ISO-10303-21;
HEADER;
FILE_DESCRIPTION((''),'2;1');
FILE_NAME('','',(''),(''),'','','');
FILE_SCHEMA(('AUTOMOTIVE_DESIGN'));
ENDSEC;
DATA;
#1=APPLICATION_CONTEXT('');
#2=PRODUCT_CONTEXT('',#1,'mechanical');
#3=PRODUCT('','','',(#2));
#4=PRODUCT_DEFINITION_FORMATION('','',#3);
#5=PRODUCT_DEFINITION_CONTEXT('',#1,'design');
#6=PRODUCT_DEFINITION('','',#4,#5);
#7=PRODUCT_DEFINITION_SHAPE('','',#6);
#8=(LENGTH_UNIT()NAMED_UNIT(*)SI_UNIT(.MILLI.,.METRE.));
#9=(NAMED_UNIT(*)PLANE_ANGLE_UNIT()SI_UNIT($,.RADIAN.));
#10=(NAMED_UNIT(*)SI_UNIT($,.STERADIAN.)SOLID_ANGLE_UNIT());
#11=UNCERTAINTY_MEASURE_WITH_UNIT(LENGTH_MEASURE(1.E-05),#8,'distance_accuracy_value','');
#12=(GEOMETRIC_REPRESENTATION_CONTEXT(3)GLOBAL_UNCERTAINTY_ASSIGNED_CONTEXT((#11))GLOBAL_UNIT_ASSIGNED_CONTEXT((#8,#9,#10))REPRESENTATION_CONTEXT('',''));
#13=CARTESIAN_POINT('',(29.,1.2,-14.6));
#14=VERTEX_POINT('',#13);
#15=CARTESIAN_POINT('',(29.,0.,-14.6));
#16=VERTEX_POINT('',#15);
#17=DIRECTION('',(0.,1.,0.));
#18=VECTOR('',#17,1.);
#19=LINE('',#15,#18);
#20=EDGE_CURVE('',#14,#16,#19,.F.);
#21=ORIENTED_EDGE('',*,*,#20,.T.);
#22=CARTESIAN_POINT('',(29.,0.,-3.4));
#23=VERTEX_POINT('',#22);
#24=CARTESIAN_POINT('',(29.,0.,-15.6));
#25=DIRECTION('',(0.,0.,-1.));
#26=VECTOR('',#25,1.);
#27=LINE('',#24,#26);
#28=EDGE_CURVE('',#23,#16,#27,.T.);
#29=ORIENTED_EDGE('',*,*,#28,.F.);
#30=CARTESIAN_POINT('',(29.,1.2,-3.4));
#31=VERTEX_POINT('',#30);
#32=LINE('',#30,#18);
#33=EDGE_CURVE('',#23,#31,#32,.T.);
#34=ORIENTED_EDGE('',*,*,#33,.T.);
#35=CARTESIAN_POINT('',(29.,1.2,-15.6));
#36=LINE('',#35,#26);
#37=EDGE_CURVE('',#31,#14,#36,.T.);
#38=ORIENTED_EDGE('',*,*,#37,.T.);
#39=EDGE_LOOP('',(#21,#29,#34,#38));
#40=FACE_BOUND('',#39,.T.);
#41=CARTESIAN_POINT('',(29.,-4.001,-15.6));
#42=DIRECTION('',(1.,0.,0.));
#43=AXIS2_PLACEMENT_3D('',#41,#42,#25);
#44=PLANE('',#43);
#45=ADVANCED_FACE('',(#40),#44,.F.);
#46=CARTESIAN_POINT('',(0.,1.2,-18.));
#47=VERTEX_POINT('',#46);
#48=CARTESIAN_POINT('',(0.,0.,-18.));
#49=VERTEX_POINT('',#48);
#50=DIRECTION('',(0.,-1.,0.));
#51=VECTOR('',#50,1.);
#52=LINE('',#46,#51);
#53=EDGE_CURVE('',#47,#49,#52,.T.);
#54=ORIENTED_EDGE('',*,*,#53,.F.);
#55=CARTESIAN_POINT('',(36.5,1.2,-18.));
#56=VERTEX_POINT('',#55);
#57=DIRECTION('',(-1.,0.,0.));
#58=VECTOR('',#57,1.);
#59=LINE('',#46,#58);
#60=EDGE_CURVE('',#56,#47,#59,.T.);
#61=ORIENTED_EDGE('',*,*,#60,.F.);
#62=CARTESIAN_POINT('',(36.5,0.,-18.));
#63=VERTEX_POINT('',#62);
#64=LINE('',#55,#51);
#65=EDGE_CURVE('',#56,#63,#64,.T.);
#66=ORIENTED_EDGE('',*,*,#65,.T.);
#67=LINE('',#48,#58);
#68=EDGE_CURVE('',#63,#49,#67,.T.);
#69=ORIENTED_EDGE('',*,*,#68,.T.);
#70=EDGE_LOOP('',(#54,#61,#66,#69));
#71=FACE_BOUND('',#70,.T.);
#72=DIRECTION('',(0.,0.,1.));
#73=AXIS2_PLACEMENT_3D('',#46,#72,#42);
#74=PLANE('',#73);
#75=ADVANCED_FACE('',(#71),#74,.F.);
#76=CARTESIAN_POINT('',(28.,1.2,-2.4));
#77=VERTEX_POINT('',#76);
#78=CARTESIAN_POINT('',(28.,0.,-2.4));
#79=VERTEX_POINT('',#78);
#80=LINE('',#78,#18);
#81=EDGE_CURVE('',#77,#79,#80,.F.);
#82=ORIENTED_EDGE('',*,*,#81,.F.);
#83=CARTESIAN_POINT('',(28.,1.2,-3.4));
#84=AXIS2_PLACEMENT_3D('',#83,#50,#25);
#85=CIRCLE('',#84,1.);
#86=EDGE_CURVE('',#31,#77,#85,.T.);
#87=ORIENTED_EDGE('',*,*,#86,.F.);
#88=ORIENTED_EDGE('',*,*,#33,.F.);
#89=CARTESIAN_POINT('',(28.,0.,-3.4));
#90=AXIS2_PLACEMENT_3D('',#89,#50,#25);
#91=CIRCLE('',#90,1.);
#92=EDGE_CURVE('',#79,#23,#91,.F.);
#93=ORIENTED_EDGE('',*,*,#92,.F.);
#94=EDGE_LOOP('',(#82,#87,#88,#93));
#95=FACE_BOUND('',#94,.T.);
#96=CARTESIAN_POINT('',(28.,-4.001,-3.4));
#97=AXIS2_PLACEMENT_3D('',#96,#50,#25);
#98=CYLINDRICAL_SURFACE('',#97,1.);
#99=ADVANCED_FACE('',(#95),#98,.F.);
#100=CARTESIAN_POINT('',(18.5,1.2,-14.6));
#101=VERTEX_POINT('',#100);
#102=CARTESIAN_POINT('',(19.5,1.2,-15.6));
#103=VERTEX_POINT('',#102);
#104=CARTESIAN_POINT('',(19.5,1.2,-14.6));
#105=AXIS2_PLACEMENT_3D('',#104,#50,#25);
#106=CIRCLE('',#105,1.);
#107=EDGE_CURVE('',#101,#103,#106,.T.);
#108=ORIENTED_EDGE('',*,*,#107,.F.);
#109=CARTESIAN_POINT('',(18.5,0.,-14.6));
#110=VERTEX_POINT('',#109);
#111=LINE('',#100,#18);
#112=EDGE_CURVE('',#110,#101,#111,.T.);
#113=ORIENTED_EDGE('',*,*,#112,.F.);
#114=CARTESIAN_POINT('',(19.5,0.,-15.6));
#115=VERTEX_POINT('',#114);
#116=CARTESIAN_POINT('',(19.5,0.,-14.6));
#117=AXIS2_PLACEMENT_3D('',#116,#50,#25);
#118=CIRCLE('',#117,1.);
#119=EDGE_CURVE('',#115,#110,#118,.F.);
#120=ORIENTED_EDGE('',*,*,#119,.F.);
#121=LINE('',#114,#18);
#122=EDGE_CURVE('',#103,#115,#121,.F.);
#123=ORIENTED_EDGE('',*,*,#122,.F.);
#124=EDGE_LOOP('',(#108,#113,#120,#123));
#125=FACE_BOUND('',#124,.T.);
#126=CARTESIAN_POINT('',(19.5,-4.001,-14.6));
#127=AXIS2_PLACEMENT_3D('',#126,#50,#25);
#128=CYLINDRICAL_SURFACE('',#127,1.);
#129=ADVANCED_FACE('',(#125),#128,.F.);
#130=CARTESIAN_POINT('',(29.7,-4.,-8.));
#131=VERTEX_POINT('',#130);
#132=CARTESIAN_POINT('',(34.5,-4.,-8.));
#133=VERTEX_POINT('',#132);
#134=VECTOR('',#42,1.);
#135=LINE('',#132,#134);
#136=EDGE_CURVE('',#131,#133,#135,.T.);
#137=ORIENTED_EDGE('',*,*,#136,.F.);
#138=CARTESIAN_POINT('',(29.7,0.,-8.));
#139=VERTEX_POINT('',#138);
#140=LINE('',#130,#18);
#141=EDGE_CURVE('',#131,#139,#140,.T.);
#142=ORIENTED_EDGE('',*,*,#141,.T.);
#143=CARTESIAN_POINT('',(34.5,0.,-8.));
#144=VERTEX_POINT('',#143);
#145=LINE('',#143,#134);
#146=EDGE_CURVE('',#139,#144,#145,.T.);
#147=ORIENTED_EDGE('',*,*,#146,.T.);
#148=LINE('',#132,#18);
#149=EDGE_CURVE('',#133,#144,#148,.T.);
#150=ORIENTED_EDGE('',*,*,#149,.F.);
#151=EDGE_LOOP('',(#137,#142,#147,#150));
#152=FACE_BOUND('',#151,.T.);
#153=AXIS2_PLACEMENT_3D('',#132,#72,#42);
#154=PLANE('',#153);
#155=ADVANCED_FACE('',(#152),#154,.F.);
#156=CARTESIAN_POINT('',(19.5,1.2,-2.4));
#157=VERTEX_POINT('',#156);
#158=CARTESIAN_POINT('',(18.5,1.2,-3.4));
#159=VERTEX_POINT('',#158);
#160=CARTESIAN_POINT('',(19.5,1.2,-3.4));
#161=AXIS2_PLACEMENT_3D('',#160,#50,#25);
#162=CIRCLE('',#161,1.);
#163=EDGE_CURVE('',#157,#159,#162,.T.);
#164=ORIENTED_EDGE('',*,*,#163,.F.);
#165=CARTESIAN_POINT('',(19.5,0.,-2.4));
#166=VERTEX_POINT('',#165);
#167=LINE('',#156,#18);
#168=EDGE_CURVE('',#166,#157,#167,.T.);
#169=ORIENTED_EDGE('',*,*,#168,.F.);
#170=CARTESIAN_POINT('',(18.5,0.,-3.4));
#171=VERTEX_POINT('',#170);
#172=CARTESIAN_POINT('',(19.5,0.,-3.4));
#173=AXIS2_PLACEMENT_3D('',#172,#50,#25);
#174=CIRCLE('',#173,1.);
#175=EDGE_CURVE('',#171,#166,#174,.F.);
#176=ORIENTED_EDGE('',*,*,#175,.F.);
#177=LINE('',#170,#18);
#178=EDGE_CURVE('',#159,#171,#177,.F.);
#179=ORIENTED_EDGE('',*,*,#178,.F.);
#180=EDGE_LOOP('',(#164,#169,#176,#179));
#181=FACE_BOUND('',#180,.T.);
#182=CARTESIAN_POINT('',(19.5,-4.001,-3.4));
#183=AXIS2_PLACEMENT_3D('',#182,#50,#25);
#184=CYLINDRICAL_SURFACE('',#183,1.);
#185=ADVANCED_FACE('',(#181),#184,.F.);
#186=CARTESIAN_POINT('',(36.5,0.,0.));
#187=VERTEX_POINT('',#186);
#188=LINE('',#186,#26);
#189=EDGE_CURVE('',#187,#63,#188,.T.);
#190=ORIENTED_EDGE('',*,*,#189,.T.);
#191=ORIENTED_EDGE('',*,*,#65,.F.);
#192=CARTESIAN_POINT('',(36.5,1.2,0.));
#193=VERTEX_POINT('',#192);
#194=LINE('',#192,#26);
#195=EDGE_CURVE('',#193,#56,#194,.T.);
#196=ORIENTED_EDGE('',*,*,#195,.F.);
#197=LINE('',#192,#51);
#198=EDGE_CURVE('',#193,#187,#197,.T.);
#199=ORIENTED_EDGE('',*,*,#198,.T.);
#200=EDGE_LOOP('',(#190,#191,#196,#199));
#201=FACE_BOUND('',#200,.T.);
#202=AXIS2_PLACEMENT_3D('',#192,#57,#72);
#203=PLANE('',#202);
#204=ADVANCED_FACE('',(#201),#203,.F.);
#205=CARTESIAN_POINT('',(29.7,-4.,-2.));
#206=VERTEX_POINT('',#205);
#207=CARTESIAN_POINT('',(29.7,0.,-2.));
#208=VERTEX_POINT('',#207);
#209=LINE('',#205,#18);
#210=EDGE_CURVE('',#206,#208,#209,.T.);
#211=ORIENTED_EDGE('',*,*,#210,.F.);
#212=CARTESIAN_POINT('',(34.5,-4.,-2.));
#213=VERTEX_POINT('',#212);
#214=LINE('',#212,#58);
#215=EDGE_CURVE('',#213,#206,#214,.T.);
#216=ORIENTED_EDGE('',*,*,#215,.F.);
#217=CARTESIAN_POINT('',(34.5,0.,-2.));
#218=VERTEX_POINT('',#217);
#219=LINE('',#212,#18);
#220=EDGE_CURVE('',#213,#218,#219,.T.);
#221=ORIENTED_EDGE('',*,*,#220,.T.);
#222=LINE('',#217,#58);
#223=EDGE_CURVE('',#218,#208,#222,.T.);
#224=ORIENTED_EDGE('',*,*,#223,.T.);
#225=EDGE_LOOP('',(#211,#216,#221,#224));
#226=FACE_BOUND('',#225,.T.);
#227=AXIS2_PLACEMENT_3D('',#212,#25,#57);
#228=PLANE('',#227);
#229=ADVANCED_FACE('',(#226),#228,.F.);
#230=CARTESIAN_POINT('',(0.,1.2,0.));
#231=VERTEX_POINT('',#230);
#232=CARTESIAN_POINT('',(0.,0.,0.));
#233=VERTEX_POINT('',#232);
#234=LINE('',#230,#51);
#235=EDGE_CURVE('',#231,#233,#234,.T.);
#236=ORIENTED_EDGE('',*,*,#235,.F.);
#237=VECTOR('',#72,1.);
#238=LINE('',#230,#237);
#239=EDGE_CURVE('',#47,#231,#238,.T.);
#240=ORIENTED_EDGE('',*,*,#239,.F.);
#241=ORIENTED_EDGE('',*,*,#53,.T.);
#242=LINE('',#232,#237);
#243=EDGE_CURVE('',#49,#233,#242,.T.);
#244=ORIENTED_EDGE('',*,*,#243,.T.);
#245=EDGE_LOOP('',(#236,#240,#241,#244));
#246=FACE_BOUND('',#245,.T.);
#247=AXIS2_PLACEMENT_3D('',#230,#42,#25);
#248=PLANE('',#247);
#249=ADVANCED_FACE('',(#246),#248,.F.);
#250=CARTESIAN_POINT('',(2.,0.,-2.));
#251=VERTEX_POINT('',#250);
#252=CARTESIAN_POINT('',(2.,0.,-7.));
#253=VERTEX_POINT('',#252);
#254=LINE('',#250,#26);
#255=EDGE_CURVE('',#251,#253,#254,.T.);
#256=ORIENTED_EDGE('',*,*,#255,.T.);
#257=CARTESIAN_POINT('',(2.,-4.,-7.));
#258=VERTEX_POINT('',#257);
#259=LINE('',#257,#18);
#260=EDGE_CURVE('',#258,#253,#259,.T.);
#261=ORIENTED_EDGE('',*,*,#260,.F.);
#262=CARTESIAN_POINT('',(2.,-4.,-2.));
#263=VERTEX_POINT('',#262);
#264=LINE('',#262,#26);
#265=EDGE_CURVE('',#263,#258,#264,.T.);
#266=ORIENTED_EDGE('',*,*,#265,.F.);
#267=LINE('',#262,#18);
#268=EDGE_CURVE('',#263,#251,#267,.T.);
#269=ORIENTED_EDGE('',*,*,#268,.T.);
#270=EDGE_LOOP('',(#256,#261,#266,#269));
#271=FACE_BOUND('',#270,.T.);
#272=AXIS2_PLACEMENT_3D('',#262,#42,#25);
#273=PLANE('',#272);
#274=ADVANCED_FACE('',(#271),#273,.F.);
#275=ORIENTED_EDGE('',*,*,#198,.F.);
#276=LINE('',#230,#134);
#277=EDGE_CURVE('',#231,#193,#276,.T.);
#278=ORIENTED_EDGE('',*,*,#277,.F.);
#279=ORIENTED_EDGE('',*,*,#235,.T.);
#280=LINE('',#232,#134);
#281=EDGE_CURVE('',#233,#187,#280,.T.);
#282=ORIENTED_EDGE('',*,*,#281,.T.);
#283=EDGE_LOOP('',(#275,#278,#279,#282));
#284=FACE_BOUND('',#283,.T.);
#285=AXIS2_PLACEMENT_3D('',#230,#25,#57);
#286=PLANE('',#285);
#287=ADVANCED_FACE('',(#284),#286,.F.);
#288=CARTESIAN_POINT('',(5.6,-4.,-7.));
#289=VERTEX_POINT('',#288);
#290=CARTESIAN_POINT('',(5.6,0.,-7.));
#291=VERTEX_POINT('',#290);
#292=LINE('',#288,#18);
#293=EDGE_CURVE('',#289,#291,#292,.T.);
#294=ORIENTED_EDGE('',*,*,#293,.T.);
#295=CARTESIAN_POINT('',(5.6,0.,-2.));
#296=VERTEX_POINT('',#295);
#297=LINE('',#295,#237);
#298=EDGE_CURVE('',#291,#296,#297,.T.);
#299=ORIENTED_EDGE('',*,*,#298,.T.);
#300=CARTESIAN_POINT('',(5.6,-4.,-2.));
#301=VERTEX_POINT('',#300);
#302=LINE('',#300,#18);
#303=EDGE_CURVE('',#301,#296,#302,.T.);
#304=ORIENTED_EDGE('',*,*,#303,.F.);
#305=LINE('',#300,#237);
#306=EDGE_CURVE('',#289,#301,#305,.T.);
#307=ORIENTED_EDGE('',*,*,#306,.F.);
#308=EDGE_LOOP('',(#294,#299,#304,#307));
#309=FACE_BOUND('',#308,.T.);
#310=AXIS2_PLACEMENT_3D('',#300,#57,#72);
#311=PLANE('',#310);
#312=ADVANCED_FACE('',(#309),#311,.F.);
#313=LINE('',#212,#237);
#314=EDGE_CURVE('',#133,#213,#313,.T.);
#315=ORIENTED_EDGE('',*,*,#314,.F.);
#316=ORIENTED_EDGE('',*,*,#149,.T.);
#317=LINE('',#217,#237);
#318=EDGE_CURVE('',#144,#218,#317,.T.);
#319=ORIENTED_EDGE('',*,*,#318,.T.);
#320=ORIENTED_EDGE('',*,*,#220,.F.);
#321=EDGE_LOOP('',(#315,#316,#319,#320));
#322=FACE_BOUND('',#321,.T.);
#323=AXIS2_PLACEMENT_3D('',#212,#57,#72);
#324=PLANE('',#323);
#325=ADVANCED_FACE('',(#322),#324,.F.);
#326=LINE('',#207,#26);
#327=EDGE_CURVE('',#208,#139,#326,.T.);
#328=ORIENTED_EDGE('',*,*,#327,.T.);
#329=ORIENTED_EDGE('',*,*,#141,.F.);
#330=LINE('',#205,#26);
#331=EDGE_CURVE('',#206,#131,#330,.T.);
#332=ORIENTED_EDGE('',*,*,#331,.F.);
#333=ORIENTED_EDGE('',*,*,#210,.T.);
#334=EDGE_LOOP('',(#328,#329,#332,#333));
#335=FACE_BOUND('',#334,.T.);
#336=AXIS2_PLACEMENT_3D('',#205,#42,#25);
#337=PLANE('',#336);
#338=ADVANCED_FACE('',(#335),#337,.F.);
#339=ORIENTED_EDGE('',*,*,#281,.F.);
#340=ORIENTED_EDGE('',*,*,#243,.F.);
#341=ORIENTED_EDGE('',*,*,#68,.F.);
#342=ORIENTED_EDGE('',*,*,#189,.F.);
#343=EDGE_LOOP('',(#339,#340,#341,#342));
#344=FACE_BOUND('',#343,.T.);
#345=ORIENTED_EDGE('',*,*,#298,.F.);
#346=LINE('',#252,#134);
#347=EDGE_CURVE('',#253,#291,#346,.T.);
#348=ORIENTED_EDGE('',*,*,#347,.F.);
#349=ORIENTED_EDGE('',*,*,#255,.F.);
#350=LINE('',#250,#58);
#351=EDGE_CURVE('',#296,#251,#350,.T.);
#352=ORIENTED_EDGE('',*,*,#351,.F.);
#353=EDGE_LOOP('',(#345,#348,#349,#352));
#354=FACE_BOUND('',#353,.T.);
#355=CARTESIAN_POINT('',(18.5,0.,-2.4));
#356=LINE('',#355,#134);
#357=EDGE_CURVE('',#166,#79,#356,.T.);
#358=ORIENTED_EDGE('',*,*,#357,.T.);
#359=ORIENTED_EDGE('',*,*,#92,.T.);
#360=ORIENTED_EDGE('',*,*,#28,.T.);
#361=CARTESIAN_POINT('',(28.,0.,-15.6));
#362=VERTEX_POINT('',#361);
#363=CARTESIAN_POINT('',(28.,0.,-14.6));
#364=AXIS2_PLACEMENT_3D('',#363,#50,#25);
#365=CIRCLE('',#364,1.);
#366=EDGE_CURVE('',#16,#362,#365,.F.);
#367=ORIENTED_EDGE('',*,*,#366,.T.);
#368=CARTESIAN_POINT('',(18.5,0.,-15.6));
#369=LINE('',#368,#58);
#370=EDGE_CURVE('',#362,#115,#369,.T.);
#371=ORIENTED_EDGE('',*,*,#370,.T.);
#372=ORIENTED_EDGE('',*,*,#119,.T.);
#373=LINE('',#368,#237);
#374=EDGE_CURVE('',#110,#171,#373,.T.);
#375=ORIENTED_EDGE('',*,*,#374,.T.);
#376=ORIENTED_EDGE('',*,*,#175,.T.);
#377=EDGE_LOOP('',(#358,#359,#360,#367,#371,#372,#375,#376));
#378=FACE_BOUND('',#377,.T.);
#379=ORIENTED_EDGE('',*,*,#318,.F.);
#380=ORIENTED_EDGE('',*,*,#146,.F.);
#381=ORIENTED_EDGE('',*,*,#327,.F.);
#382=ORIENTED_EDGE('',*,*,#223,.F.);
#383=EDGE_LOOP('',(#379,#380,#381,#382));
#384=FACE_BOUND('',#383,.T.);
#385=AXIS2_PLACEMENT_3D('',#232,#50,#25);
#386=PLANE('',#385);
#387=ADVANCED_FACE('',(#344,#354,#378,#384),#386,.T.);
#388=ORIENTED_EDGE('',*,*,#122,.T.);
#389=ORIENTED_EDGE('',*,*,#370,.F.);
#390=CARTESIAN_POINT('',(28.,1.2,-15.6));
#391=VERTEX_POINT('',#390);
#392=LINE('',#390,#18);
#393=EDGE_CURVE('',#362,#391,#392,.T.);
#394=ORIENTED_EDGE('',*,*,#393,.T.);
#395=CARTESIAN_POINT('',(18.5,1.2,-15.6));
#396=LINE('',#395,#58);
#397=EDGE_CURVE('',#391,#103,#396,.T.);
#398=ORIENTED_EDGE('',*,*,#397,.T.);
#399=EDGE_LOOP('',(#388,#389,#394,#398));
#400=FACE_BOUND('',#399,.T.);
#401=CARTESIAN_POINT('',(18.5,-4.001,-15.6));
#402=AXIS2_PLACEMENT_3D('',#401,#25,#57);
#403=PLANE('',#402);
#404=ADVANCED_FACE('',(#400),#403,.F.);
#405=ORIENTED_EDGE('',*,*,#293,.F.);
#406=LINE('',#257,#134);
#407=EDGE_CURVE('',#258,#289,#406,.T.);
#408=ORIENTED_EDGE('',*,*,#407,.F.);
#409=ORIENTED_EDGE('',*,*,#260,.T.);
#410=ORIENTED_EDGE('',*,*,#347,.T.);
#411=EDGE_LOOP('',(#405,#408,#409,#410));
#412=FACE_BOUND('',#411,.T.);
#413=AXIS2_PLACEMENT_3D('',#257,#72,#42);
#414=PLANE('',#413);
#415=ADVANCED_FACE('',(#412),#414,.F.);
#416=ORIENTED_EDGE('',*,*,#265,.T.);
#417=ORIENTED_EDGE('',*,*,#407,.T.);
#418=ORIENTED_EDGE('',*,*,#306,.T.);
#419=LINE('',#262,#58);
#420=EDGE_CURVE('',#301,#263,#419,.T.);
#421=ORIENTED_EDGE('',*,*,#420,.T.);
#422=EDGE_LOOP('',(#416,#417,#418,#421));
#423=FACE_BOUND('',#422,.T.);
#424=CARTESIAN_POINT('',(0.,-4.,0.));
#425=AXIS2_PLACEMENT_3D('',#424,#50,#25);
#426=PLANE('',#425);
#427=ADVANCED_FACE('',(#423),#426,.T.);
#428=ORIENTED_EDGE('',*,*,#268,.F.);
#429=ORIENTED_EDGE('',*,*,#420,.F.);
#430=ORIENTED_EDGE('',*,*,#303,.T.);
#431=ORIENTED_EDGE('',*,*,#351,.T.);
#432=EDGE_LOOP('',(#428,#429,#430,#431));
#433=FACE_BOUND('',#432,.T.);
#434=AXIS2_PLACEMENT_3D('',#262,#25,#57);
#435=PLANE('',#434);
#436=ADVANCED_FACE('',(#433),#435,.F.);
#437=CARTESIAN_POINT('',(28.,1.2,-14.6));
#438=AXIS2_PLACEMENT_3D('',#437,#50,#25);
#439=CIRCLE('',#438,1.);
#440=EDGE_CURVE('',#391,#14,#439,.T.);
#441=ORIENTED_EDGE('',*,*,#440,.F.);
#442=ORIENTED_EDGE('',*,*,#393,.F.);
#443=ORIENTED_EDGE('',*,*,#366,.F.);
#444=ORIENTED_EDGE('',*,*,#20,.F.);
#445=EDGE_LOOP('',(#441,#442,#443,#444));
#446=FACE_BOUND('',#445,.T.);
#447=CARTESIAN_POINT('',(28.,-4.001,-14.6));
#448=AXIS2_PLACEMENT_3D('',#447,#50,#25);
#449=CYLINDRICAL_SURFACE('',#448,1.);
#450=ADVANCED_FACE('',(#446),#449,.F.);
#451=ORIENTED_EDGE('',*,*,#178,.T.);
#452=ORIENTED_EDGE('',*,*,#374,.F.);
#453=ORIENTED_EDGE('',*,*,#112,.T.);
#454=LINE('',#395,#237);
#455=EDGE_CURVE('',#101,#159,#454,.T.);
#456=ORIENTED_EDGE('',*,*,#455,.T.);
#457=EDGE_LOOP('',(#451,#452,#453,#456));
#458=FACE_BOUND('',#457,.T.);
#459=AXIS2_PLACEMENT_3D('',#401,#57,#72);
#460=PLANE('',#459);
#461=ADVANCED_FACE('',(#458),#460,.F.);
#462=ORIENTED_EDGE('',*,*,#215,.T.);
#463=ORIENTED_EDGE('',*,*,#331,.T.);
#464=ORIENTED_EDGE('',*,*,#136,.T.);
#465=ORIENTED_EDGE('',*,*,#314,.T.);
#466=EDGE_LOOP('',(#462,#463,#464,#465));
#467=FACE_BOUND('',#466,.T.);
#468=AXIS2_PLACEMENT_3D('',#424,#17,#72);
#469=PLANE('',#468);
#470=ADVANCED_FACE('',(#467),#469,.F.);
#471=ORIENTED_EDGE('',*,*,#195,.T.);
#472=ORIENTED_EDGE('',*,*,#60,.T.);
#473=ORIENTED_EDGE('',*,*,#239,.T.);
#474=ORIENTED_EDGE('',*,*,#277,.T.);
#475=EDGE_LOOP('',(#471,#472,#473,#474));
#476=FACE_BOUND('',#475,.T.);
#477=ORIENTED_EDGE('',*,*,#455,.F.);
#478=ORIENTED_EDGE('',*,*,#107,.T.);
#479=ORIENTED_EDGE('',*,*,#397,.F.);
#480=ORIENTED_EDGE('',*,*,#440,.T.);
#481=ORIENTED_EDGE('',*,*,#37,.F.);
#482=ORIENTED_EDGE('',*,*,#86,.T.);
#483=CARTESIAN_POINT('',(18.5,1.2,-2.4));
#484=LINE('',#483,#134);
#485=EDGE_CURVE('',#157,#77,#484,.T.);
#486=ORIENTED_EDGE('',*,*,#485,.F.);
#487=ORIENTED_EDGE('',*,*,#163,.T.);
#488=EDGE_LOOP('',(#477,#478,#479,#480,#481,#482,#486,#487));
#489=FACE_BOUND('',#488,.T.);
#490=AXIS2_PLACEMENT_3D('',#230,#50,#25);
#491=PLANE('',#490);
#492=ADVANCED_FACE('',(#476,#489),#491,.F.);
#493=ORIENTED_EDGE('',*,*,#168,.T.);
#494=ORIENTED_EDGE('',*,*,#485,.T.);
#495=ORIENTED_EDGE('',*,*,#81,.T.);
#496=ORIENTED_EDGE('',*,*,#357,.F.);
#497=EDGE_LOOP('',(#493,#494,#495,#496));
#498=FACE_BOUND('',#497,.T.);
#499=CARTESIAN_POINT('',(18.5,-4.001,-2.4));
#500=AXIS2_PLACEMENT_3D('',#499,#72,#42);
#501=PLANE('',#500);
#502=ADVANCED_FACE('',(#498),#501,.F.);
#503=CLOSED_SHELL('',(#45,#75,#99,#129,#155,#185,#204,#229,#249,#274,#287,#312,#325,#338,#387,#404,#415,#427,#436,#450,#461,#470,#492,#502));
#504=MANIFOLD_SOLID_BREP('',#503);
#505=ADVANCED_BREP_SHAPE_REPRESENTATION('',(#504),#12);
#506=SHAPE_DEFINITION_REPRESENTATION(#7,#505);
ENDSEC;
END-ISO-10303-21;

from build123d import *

# Parameters (mm, degrees)
SKETCH1_W           = 36.5
SKETCH1_H           = 18
BOSS_EXTRUDE1_DEPTH = 1.2
SKETCH2_W           = 3.6
SKETCH2_H           = 5
SKETCH2_W_2         = 4.8
SKETCH2_H_2         = 6
BOSS_EXTRUDE2_DEPTH = 4
CUT_EXTRUDE1_REACH  = 7.2
SKETCH3_W           = 10.5
SKETCH3_H           = 13.2
FILLET1_R           = 1


with BuildPart() as part:
    # Sketch1 → Boss-Extrude1 (new body)
    with BuildSketch(Plane(origin=(0, 0, 0), x_dir=(1, 0, 0), z_dir=(0, 1, 0))):
        with Locations((18.25, 9)):
            Rectangle(SKETCH1_W, SKETCH1_H)
    extrude(amount=BOSS_EXTRUDE1_DEPTH)

    # Sketch2 → Boss-Extrude2 (add)
    with BuildSketch(Plane.XZ):
        with Locations((3.8, -4.5)):
            Rectangle(SKETCH2_W, SKETCH2_H)
        with Locations((32.1, -5)):
            Rectangle(SKETCH2_W_2, SKETCH2_H_2)
    extrude(amount=BOSS_EXTRUDE2_DEPTH)

    # Sketch3 → Cut-Extrude1 (cut, up to next)
    with BuildSketch(Plane(origin=(0, 1.2, 0), x_dir=(1, 0, 0), z_dir=(0, 1, 0)), mode=Mode.PRIVATE) as cut_extrude1_sk1:
        with Locations((23.75, 9)):
            Rectangle(SKETCH3_W, SKETCH3_H)
    cut_extrude1_tool1 = extrude(cut_extrude1_sk1.sketch, amount=-CUT_EXTRUDE1_REACH, mode=Mode.PRIVATE) & part.part
    add(cut_extrude1_tool1.solids().sort_by_distance((23.75, 1.2, -9))[0], mode=Mode.SUBTRACT)

    # Fillet1
    fillet1_edges = [part.edges().sort_by_distance(p)[0] for p in [
        (18.5, 0.6, -2.4),
        (18.5, 0.6, -15.6),
        (29, 0.6, -15.6),
        (29, 0.6, -2.4),
    ]]
    fillet(fillet1_edges, radius=FILLET1_R)


solid = part.part
